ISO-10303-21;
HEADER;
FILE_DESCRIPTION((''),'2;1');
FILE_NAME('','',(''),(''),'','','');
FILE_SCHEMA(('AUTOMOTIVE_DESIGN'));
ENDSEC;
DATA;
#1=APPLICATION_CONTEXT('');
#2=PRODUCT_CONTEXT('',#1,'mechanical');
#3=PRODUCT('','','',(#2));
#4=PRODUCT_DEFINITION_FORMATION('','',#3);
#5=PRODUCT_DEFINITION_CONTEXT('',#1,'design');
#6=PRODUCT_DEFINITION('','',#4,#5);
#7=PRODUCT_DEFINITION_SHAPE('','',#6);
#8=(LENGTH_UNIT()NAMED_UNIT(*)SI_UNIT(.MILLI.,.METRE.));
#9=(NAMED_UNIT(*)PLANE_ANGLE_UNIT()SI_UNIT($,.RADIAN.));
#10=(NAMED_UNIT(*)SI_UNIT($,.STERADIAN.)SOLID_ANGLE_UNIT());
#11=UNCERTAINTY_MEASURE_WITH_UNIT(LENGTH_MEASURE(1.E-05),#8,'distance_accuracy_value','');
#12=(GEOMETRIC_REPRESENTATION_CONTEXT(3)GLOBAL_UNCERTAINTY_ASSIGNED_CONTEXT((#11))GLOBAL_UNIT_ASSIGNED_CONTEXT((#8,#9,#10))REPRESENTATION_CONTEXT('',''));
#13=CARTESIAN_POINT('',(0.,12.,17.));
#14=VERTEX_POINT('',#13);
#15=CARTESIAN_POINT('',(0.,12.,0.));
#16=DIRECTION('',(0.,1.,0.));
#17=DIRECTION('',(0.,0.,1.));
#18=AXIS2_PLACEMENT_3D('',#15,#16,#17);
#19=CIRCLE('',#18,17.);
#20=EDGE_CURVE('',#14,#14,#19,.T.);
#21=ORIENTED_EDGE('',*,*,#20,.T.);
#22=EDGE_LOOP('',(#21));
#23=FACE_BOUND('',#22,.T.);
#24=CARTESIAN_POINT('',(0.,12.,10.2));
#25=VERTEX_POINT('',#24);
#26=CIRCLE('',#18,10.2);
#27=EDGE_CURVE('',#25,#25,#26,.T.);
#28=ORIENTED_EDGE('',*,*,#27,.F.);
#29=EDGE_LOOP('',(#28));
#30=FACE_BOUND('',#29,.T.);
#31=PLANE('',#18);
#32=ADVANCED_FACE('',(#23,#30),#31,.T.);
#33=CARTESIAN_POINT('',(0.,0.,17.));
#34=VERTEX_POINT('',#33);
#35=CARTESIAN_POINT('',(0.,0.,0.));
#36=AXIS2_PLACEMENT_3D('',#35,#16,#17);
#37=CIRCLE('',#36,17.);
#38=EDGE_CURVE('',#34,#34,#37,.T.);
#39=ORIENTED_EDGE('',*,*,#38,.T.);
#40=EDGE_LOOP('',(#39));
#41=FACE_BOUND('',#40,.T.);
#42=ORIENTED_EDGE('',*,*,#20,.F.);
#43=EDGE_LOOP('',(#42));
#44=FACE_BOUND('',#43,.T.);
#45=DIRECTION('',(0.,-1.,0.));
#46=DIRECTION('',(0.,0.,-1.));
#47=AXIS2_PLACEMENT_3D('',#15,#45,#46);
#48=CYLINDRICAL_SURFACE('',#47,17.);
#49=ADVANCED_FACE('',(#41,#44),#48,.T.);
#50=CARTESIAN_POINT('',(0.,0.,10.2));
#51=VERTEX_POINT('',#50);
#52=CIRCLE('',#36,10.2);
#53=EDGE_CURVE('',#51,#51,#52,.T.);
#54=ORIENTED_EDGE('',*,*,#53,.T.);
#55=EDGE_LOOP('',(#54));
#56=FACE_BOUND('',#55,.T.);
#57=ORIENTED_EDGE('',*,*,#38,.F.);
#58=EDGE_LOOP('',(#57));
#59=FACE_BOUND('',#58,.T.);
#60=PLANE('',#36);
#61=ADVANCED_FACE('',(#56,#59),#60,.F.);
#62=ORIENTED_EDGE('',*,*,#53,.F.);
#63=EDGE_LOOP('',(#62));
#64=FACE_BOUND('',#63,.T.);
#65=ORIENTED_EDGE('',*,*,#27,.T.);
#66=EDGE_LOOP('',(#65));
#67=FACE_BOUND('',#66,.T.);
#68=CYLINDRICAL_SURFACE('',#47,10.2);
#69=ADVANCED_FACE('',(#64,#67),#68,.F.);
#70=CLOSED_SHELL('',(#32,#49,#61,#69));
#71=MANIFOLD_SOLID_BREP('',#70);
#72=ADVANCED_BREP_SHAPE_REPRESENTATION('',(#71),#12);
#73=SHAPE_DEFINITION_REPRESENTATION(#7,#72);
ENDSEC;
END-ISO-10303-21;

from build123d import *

# Parameters (mm, degrees)
SKETCH1_R                         = 17
SKETCH1_R_2                       = 10.2
REVOLVED_EQUIVALENT_EXTRUDE_DEPTH = 12


with BuildPart() as part:
    # Sketch1 → Revolved_Equivalent_Extrude (new body)
    with BuildSketch(Plane(origin=(0, 0, 0), x_dir=(1, 0, 0), z_dir=(0, 1, 0))):
        with Locations(Location((0, 0, 0), (0, 0, 270))):
            Circle(SKETCH1_R)
        with Locations(Location((0, 0, 0), (0, 0, 270))):
            Circle(SKETCH1_R_2, mode=Mode.SUBTRACT)
    extrude(amount=REVOLVED_EQUIVALENT_EXTRUDE_DEPTH)


solid = part.part
